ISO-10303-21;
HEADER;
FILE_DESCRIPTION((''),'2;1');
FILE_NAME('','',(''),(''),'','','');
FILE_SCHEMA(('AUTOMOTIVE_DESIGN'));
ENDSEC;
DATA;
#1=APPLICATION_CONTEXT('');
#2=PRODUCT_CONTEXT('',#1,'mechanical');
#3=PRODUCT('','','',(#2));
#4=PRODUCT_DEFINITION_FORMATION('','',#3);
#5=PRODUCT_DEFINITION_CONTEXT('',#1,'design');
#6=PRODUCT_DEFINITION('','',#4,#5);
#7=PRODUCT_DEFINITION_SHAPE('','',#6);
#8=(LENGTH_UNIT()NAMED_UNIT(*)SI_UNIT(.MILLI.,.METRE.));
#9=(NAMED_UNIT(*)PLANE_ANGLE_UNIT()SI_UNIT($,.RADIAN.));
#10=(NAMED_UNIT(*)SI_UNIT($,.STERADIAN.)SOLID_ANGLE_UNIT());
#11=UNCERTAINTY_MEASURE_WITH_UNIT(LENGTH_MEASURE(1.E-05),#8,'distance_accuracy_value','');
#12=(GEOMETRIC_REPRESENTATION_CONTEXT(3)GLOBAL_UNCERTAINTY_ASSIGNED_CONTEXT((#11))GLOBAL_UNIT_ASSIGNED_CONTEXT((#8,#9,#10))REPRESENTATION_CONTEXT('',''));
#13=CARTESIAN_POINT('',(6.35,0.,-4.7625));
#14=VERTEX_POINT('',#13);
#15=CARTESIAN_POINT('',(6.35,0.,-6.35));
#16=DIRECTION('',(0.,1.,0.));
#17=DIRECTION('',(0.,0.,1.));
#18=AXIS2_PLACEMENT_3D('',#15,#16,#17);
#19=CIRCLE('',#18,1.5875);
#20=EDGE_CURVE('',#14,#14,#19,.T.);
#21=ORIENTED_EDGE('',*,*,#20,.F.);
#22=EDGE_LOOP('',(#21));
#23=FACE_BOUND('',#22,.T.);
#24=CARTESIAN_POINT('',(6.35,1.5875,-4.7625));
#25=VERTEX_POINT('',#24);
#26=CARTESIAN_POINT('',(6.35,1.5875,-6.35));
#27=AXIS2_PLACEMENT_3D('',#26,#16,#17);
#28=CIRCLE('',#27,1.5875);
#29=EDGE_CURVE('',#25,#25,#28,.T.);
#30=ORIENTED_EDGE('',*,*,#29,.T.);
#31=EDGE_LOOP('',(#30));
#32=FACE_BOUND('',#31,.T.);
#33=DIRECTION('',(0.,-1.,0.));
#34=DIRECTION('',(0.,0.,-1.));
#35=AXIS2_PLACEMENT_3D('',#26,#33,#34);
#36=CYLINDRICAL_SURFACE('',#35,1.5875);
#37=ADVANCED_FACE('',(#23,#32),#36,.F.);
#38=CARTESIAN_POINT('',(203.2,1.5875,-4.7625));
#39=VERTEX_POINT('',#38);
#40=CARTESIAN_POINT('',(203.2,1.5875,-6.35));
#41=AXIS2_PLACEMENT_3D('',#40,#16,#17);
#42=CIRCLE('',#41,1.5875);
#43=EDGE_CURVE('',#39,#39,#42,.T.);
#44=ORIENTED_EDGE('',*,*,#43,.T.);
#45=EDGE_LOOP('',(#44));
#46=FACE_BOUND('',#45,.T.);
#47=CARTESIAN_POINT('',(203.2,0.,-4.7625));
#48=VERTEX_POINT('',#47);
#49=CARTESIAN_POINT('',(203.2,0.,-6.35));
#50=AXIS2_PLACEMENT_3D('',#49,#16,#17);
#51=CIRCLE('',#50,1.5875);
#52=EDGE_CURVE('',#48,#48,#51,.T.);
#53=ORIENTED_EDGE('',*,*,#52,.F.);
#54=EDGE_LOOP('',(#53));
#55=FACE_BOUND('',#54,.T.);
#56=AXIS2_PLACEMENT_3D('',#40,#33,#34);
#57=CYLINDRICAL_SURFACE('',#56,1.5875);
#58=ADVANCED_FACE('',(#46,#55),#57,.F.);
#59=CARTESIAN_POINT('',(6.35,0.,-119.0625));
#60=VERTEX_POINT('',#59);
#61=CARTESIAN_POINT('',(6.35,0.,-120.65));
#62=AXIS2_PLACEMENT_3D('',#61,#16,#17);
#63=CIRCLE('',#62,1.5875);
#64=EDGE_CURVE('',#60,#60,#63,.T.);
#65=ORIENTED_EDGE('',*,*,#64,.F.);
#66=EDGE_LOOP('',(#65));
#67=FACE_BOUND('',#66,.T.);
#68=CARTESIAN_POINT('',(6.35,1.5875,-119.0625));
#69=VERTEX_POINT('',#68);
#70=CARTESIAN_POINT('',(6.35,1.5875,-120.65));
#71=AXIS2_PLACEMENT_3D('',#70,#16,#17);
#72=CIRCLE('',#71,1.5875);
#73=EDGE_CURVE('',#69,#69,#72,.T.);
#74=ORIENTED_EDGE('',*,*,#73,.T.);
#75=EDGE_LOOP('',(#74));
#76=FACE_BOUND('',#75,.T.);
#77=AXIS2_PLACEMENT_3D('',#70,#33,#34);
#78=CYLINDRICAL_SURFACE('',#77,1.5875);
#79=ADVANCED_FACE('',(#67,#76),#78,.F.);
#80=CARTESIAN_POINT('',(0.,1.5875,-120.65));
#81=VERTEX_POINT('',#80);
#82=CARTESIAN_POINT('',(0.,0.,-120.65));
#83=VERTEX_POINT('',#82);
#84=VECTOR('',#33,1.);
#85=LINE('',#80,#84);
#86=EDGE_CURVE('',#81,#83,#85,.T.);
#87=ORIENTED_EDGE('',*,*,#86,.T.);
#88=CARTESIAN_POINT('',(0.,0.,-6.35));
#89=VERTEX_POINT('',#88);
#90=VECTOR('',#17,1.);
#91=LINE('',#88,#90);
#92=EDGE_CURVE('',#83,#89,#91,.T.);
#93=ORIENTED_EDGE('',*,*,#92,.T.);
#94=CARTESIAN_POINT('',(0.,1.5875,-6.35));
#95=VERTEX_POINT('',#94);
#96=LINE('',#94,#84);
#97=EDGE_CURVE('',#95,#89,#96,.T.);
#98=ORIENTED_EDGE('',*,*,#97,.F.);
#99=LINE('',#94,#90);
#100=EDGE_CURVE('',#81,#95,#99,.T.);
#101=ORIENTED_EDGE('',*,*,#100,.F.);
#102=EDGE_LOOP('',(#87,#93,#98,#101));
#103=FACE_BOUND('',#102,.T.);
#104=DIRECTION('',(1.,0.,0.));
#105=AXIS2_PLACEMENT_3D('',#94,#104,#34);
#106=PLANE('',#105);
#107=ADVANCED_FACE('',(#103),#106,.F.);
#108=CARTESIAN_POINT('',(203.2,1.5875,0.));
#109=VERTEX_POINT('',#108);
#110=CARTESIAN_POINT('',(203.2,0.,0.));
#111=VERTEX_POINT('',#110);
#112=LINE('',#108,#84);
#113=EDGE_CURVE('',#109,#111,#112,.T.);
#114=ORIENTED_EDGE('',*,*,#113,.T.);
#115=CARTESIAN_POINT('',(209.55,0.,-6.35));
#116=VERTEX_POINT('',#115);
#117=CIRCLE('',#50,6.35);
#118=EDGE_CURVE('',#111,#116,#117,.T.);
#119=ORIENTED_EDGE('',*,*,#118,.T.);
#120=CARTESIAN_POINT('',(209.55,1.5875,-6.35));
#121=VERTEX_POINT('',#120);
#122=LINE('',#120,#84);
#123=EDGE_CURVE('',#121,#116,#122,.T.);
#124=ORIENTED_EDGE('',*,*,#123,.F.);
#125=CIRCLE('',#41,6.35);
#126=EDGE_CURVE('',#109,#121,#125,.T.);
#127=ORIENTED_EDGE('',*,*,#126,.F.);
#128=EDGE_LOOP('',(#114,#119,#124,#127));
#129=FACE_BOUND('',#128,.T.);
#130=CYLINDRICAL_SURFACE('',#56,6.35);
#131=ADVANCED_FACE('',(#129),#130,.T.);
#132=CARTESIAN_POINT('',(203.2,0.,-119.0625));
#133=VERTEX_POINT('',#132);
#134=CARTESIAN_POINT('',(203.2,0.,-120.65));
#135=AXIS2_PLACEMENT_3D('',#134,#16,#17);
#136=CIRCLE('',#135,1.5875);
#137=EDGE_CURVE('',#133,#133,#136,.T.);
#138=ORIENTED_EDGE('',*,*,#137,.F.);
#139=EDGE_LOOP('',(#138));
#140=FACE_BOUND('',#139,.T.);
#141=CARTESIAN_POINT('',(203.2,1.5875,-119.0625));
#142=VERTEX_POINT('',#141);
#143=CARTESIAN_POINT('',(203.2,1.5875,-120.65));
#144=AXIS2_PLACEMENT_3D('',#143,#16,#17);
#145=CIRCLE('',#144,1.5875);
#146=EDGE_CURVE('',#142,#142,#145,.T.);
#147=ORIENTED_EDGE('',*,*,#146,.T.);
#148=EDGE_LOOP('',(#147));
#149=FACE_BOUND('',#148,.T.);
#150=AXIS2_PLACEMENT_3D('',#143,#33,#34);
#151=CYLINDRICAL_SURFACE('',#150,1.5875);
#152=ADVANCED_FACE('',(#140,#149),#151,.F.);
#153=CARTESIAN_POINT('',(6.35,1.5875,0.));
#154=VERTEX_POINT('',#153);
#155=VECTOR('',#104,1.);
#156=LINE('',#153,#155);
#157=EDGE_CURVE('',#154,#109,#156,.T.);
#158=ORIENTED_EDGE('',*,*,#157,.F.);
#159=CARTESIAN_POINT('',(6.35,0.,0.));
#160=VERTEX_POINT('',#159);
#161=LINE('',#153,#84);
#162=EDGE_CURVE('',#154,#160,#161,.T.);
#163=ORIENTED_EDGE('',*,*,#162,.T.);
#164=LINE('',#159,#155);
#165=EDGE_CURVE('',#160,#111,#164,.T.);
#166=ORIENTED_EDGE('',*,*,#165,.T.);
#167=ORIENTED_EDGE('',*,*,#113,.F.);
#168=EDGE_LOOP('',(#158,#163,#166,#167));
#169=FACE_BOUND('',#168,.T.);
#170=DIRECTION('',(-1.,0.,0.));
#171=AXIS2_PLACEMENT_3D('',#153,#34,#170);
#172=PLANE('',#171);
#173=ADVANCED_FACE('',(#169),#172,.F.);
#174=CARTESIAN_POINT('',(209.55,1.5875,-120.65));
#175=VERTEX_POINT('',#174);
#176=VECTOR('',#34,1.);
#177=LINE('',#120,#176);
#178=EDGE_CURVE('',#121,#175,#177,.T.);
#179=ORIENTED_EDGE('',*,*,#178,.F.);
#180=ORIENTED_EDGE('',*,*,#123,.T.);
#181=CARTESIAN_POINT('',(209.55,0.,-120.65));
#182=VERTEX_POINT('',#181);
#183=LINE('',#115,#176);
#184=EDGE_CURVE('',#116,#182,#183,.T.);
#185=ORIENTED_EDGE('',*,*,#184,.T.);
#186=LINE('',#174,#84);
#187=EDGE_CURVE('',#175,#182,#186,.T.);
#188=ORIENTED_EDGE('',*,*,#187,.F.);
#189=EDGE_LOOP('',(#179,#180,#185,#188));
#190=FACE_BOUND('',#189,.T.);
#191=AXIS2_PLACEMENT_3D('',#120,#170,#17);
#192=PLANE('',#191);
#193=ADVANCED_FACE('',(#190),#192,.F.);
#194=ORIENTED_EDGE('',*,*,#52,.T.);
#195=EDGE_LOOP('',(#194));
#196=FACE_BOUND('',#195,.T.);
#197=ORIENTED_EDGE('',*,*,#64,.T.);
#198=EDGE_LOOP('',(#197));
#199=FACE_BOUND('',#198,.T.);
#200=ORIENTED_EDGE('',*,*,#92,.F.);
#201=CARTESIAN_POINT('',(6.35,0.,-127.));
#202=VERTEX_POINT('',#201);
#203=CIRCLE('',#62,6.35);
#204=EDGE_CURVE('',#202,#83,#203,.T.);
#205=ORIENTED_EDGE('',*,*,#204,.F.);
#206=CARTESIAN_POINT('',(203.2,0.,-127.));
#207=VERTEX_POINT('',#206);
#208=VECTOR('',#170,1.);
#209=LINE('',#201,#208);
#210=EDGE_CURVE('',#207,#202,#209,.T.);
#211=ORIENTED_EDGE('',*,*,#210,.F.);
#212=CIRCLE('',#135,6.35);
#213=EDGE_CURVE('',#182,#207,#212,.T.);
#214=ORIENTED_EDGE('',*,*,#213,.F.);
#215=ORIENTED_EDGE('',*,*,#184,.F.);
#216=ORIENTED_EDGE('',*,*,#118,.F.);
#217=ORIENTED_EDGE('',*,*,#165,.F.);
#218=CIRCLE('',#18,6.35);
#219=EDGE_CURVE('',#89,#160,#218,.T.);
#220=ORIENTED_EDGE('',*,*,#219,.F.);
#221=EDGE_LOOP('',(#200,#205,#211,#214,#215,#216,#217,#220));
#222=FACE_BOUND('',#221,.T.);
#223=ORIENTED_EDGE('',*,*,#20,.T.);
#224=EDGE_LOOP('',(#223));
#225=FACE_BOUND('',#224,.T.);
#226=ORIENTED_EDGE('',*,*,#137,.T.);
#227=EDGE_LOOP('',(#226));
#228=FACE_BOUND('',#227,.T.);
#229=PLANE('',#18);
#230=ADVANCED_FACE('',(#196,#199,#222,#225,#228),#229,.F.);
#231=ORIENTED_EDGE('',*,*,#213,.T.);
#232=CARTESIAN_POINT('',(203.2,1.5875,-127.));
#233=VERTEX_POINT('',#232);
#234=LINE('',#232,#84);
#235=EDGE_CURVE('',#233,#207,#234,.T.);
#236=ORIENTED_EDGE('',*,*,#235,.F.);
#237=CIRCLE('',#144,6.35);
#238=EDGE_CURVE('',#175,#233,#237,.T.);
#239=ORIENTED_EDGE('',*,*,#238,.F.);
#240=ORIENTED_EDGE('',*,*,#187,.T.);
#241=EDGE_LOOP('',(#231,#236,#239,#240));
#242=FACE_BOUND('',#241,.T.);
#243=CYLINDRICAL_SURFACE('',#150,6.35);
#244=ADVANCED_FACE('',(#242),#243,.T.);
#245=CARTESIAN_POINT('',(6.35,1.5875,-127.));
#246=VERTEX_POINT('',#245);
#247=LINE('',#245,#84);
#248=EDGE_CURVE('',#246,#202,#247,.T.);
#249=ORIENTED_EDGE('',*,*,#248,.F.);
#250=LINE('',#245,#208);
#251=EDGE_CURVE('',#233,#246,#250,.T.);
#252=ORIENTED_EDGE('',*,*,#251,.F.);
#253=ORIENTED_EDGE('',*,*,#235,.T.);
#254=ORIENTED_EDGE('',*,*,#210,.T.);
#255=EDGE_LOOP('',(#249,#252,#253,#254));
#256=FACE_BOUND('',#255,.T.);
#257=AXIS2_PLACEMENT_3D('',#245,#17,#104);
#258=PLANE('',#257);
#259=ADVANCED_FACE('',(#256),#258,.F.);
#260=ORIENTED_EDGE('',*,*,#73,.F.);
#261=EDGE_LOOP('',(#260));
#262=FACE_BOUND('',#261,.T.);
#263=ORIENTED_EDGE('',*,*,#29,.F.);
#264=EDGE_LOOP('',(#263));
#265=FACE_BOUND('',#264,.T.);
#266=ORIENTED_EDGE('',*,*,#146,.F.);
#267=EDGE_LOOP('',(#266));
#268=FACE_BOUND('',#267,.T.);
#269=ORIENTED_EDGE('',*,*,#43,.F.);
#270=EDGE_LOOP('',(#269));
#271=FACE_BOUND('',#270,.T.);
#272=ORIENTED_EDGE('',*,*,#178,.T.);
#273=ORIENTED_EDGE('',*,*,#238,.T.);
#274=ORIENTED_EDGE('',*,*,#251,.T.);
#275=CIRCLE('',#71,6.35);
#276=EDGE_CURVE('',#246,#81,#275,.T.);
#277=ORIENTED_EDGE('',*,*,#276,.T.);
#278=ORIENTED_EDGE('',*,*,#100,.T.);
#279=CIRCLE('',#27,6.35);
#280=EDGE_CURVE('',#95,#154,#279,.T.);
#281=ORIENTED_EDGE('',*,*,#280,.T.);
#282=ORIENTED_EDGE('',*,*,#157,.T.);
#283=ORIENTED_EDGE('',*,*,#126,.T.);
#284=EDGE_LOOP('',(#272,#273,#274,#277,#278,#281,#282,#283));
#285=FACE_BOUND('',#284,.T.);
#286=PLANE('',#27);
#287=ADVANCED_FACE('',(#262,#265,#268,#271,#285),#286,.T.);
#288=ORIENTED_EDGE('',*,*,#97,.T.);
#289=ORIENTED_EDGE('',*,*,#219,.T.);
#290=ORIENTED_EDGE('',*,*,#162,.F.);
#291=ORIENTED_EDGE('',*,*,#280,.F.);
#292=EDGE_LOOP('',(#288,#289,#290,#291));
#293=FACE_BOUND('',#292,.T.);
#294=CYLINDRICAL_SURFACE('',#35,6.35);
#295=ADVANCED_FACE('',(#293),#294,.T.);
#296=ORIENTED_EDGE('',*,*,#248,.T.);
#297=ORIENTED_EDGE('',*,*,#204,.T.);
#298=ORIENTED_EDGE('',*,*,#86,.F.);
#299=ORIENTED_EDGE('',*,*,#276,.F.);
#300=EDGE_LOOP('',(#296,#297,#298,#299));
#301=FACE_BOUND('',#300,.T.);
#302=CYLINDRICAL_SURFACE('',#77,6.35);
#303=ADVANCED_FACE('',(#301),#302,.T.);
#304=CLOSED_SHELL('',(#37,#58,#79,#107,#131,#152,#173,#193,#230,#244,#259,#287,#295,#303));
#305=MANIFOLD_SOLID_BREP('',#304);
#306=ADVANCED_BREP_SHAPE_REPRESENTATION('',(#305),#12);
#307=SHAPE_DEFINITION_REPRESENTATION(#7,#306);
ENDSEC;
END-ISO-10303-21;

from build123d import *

# Parameters (mm, degrees)
SKETCH1_R           = 1.5875
BOSS_EXTRUDE1_DEPTH = 1.5875


with BuildPart() as part:
    # Sketch1 → Boss-Extrude1 (new body)
    with BuildSketch(Plane(origin=(0, 0, 0), x_dir=(1, 0, 0), z_dir=(0, 1, 0))):
        with BuildLine():
            Line((6.35, 0), (203.2, 0))
            ThreePointArc((203.2, 0), (207.690128061, 1.859871939), (209.55, 6.35))
            Line((209.55, 6.35), (209.55, 120.65))
            ThreePointArc((209.55, 120.65), (207.690128061, 125.140128061), (203.2, 127))
            Line((203.2, 127), (6.35, 127))
            ThreePointArc((6.35, 127), (1.859871939, 125.140128061), (0, 120.65))
            Line((0, 120.65), (0, 6.35))
            ThreePointArc((0, 6.35), (1.859871939, 1.859871939), (6.35, 0))
        make_face()
        with Locations(Location((6.35, 120.65, 0), (0, 0, 270))):
            Circle(SKETCH1_R, mode=Mode.SUBTRACT)
        with Locations(Location((203.2, 120.65, 0), (0, 0, 270))):
            Circle(SKETCH1_R, mode=Mode.SUBTRACT)
        with Locations(Location((203.2, 6.35, 0), (0, 0, 270))):
            Circle(SKETCH1_R, mode=Mode.SUBTRACT)
        with Locations(Location((6.35, 6.35, 0), (0, 0, 270))):
            Circle(SKETCH1_R, mode=Mode.SUBTRACT)
    extrude(amount=BOSS_EXTRUDE1_DEPTH)


solid = part.part
